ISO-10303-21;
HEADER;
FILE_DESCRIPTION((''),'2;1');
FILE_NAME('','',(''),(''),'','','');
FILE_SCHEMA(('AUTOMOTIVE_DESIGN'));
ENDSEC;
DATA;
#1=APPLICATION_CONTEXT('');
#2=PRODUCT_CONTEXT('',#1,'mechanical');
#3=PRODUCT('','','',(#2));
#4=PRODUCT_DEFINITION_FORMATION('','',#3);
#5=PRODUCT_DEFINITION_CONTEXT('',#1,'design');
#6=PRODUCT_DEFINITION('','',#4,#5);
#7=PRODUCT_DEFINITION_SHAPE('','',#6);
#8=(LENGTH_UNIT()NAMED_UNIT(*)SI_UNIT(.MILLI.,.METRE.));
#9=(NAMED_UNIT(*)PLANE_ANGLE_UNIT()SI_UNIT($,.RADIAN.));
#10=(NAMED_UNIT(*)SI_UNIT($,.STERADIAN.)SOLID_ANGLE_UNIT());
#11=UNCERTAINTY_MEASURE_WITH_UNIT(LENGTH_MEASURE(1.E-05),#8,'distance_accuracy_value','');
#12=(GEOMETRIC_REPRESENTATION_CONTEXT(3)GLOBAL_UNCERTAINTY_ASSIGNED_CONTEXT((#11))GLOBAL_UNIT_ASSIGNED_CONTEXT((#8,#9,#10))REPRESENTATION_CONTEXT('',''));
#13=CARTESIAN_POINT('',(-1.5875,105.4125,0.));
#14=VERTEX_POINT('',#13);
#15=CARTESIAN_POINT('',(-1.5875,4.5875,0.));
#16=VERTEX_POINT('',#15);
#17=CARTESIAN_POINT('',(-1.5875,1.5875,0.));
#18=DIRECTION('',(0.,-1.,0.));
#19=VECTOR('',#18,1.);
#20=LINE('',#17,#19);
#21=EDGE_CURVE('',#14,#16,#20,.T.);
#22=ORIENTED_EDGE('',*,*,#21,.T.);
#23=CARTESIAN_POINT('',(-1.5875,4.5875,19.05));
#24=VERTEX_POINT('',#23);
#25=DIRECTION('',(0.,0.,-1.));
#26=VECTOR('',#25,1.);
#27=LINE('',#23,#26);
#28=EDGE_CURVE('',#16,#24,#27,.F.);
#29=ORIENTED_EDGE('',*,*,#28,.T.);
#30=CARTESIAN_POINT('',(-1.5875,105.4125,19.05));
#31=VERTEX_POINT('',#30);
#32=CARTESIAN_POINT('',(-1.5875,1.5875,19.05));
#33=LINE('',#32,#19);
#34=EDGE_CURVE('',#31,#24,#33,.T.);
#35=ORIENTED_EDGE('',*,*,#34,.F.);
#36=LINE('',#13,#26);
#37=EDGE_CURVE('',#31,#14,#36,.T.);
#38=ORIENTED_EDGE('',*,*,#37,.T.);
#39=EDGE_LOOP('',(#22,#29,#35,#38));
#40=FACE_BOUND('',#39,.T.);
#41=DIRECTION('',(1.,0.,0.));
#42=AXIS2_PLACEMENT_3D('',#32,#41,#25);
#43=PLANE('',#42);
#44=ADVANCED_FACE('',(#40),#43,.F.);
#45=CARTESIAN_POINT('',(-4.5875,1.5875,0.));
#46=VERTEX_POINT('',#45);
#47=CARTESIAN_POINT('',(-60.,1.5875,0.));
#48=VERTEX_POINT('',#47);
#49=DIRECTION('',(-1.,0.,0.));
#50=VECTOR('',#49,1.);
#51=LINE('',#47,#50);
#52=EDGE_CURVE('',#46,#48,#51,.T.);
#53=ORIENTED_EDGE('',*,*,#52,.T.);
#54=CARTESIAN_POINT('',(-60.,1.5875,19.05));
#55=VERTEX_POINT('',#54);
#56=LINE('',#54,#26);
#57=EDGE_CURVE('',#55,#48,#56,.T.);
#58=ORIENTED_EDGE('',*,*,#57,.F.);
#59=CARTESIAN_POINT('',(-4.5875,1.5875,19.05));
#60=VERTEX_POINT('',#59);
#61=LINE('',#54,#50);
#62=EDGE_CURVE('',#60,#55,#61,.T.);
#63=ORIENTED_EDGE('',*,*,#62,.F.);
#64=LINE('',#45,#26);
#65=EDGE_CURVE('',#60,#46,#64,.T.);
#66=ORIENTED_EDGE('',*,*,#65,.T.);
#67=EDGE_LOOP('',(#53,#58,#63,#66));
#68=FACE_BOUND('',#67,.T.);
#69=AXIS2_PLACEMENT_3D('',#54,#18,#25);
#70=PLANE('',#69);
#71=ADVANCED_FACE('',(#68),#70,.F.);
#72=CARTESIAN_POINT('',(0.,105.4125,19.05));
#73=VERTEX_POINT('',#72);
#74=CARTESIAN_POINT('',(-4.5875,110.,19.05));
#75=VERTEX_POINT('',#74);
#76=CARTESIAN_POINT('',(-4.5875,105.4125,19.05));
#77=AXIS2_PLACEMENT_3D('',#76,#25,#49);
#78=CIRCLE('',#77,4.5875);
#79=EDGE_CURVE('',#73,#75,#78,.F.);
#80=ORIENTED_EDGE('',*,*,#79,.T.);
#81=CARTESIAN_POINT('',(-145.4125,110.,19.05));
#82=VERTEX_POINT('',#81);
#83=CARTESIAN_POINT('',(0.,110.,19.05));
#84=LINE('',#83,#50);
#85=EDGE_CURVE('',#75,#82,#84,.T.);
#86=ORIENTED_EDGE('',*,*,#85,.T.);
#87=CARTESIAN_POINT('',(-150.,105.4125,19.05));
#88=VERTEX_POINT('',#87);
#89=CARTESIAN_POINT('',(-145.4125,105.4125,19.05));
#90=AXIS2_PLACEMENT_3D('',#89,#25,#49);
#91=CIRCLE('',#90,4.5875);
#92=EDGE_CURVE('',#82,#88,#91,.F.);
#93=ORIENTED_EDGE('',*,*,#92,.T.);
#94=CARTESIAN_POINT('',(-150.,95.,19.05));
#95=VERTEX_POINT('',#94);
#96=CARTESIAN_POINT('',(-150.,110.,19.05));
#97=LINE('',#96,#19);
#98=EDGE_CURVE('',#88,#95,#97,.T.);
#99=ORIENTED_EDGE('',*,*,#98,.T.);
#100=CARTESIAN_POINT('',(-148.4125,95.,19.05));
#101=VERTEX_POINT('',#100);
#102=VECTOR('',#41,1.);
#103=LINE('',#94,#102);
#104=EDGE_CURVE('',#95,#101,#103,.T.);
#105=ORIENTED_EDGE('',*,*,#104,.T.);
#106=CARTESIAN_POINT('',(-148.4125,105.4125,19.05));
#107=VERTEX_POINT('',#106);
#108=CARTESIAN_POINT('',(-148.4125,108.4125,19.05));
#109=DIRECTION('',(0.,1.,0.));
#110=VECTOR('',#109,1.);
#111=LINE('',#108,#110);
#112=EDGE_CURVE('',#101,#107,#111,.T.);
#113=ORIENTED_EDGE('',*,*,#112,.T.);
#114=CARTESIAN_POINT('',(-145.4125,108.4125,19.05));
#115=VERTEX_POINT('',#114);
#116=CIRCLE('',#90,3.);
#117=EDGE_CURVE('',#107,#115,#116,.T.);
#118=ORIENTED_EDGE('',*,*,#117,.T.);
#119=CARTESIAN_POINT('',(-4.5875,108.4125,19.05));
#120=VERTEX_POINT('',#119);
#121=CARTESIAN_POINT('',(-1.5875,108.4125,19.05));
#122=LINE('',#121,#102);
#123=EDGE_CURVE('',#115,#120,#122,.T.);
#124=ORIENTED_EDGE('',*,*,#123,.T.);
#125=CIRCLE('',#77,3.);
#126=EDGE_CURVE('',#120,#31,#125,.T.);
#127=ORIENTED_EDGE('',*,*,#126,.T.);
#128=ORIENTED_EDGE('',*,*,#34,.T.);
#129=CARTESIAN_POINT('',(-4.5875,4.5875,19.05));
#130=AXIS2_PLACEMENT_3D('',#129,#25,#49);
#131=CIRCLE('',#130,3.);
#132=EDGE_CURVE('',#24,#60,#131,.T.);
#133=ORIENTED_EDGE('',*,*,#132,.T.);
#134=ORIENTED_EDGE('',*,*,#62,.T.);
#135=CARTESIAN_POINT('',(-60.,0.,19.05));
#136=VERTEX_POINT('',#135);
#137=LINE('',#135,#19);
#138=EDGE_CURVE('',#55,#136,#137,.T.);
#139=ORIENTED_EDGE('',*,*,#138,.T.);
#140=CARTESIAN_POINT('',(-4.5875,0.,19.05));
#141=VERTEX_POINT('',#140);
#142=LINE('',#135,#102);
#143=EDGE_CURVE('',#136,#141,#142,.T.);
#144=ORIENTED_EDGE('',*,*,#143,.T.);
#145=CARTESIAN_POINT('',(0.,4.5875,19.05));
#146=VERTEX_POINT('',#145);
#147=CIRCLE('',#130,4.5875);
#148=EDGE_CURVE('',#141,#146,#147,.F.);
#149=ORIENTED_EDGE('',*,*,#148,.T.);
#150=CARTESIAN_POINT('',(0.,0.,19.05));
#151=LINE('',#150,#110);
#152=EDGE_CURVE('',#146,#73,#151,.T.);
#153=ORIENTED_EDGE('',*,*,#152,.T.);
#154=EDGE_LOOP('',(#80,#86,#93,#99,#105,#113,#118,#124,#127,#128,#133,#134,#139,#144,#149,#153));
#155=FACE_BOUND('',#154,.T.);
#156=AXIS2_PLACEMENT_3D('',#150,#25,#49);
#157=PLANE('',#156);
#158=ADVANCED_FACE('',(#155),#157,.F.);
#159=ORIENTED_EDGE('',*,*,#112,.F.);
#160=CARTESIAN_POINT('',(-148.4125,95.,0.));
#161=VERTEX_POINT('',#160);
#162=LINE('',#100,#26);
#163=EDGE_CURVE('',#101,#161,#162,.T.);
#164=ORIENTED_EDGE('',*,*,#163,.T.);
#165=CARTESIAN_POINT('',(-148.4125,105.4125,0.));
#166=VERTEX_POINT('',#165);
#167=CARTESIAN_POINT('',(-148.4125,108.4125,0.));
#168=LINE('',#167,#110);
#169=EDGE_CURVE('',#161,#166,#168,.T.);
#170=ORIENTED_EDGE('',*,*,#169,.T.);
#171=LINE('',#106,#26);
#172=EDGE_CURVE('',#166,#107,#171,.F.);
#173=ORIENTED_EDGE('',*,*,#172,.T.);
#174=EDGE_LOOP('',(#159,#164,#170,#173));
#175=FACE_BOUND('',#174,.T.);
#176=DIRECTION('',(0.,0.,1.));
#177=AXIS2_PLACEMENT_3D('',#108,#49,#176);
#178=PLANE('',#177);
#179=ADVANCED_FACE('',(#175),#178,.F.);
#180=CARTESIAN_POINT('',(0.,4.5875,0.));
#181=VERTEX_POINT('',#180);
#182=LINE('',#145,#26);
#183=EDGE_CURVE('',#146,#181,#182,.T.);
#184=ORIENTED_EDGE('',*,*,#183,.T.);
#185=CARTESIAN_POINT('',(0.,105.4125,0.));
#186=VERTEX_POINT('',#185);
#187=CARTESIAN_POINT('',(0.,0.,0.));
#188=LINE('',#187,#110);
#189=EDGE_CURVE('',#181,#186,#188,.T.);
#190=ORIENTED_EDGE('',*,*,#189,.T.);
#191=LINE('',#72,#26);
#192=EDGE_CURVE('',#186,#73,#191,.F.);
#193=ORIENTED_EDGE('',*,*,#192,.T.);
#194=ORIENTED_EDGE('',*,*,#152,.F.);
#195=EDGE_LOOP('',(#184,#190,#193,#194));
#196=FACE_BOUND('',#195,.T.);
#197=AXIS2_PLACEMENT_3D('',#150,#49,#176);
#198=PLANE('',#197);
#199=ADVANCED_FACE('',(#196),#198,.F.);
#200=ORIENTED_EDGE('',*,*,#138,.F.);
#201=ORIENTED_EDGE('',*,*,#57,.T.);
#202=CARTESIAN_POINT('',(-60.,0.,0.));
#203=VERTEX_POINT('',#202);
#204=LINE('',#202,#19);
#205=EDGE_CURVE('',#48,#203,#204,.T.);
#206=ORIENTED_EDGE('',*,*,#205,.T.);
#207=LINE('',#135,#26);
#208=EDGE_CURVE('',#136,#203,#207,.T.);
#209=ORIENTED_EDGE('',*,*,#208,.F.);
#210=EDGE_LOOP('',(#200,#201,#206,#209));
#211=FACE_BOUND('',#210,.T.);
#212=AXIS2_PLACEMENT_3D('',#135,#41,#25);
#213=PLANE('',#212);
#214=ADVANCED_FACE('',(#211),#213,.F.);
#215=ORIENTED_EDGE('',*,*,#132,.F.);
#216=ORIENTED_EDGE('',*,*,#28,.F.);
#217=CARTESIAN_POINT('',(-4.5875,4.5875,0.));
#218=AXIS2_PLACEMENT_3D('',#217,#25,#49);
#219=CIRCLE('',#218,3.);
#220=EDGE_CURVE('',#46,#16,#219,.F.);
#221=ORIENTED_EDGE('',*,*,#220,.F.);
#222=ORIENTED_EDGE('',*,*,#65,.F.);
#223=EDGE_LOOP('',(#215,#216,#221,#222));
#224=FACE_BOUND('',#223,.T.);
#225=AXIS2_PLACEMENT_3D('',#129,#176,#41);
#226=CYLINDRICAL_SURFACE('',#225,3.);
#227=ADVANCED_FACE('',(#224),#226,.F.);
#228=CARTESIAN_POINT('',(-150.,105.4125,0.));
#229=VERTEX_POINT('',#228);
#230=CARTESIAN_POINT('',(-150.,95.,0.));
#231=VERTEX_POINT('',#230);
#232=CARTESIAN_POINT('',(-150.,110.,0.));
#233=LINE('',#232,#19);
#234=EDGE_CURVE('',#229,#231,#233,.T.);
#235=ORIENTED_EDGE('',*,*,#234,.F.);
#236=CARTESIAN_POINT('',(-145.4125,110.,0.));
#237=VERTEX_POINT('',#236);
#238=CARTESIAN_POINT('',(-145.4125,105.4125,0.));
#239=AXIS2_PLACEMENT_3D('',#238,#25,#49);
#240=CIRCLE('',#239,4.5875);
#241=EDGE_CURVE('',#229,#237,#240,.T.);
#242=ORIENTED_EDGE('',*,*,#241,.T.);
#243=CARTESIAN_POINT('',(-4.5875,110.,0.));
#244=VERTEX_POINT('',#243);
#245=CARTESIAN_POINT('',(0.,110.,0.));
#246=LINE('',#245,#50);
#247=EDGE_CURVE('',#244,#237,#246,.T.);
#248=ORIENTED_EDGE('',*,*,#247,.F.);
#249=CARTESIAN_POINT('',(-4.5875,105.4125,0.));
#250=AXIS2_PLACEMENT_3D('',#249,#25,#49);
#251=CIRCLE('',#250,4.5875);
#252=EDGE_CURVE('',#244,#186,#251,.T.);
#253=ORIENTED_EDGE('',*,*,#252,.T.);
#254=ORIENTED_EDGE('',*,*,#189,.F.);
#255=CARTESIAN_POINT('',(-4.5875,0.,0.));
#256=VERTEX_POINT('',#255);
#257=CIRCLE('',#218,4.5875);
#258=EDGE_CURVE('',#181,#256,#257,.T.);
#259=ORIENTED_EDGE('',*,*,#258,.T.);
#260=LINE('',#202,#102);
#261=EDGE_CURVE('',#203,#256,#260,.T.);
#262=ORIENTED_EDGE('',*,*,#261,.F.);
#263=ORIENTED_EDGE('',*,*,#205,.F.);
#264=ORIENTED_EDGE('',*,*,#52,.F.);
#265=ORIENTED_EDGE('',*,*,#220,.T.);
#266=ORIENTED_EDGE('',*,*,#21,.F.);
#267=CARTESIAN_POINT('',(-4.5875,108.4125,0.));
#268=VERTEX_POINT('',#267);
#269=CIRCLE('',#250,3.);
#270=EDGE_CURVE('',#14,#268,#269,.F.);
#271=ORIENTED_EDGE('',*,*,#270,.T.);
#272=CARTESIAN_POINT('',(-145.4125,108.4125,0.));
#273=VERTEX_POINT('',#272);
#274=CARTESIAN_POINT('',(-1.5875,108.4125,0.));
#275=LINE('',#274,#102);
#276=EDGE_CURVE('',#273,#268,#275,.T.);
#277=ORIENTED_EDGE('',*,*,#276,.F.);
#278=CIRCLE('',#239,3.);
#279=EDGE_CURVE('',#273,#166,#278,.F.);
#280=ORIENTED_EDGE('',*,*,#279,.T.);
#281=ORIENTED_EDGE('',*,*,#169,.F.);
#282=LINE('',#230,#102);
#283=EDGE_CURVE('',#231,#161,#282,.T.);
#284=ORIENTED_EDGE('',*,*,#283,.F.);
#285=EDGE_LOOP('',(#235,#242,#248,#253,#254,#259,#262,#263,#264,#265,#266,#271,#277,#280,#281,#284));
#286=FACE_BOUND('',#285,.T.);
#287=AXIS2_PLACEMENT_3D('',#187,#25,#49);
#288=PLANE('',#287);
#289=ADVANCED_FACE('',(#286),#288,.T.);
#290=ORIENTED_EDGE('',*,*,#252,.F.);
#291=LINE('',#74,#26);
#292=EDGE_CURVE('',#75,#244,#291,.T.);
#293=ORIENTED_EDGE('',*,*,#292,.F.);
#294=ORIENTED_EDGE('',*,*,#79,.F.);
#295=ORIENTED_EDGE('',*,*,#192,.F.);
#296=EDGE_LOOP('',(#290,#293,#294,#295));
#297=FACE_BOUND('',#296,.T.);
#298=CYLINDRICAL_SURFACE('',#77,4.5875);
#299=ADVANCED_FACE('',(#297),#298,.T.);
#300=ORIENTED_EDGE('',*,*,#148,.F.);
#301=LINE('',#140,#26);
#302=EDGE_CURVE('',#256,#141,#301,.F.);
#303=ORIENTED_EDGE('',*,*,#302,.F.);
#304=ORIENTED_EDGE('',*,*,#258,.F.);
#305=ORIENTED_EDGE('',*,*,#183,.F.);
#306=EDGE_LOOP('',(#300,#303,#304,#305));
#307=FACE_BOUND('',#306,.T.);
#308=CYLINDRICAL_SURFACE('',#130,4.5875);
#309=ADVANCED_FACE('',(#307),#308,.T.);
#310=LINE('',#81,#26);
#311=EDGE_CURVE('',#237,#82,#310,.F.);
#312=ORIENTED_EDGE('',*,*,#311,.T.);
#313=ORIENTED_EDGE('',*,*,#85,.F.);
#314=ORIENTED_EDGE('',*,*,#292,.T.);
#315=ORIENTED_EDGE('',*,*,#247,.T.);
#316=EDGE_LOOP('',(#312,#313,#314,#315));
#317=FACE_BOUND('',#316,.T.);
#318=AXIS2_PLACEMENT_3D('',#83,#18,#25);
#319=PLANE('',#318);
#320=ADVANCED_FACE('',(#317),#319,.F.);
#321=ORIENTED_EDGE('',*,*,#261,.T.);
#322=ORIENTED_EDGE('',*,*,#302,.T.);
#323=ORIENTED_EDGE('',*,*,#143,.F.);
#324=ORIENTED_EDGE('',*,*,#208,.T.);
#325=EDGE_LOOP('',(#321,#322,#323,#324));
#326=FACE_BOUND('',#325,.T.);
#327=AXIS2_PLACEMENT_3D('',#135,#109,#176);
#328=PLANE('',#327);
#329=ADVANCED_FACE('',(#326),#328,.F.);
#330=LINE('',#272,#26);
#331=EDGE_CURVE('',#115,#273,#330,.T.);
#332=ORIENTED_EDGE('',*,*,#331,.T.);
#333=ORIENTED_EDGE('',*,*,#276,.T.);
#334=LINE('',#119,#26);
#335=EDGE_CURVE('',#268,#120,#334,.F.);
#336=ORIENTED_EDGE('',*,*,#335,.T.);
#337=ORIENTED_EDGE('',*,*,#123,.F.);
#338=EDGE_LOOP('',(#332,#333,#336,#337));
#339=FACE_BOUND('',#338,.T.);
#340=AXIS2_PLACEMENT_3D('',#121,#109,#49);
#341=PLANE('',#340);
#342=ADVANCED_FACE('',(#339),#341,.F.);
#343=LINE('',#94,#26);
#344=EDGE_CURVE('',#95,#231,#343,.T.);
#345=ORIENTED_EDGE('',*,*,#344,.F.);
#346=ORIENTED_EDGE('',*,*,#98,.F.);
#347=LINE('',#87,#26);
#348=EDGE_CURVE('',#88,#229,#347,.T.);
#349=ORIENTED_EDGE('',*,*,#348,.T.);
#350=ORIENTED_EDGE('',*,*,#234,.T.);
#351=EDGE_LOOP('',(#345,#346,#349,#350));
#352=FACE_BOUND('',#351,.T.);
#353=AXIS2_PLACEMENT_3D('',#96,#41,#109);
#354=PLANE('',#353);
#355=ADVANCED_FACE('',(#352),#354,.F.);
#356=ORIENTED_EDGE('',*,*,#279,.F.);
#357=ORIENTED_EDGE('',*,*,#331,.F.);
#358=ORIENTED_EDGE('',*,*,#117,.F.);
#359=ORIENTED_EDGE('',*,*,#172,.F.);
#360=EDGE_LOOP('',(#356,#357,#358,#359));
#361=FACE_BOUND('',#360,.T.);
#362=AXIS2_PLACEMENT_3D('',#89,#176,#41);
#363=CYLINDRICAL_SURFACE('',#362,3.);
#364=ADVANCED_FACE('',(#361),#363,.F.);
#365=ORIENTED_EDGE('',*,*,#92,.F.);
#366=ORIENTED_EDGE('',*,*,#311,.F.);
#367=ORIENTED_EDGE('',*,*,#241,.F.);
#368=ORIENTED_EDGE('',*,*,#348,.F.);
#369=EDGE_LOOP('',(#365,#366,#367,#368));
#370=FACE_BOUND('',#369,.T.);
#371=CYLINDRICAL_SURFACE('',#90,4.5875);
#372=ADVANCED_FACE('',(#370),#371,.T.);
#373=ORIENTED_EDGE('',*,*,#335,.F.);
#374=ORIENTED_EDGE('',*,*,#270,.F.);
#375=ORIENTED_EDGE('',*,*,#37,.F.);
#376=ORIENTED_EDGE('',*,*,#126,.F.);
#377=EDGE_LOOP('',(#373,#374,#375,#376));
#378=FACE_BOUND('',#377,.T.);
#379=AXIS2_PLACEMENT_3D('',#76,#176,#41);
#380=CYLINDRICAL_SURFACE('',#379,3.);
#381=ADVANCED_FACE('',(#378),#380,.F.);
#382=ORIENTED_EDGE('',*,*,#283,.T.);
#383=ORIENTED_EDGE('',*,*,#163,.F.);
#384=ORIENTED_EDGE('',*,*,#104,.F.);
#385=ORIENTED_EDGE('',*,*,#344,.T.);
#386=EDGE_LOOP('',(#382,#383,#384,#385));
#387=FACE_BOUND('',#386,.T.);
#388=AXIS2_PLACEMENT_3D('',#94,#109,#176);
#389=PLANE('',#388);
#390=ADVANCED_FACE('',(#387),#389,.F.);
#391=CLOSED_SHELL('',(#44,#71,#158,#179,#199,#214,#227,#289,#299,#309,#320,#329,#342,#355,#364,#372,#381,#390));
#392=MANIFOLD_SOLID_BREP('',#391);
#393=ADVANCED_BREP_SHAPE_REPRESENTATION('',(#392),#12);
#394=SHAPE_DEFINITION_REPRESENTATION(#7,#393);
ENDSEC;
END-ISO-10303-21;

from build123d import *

# Parameters (mm, degrees)
BOSS_EXTRUDE1_DEPTH = 19.05
FILLET1_R           = 3
FILLET2_R           = 4.5875


with BuildPart() as part:
    # Sketch1 → Boss-Extrude1 (new body)
    with BuildSketch(Plane.XY):
        Polygon((-60, 0), (0, 0), (0, 110), (-150, 110), (-150, 95), (-148.4125, 95), (-148.4125, 108.4125), (-1.5875, 108.4125), (-1.5875, 1.5875), (-60, 1.5875), align=None)
    extrude(amount=BOSS_EXTRUDE1_DEPTH)

    # Fillet1
    fillet1_edges = [part.edges().sort_by_distance(p)[0] for p in [
        (-1.5875, 1.5875, 9.525),
        (-1.5875, 108.4125, 9.525),
        (-148.4125, 108.4125, 9.525),
    ]]
    fillet(fillet1_edges, radius=FILLET1_R)

    # Fillet2
    fillet2_edges = [part.edges().sort_by_distance(p)[0] for p in [
        (-150, 110, 9.525),
        (0, 110, 9.525),
        (0, 0, 9.525),
    ]]
    fillet(fillet2_edges, radius=FILLET2_R)


solid = part.part
